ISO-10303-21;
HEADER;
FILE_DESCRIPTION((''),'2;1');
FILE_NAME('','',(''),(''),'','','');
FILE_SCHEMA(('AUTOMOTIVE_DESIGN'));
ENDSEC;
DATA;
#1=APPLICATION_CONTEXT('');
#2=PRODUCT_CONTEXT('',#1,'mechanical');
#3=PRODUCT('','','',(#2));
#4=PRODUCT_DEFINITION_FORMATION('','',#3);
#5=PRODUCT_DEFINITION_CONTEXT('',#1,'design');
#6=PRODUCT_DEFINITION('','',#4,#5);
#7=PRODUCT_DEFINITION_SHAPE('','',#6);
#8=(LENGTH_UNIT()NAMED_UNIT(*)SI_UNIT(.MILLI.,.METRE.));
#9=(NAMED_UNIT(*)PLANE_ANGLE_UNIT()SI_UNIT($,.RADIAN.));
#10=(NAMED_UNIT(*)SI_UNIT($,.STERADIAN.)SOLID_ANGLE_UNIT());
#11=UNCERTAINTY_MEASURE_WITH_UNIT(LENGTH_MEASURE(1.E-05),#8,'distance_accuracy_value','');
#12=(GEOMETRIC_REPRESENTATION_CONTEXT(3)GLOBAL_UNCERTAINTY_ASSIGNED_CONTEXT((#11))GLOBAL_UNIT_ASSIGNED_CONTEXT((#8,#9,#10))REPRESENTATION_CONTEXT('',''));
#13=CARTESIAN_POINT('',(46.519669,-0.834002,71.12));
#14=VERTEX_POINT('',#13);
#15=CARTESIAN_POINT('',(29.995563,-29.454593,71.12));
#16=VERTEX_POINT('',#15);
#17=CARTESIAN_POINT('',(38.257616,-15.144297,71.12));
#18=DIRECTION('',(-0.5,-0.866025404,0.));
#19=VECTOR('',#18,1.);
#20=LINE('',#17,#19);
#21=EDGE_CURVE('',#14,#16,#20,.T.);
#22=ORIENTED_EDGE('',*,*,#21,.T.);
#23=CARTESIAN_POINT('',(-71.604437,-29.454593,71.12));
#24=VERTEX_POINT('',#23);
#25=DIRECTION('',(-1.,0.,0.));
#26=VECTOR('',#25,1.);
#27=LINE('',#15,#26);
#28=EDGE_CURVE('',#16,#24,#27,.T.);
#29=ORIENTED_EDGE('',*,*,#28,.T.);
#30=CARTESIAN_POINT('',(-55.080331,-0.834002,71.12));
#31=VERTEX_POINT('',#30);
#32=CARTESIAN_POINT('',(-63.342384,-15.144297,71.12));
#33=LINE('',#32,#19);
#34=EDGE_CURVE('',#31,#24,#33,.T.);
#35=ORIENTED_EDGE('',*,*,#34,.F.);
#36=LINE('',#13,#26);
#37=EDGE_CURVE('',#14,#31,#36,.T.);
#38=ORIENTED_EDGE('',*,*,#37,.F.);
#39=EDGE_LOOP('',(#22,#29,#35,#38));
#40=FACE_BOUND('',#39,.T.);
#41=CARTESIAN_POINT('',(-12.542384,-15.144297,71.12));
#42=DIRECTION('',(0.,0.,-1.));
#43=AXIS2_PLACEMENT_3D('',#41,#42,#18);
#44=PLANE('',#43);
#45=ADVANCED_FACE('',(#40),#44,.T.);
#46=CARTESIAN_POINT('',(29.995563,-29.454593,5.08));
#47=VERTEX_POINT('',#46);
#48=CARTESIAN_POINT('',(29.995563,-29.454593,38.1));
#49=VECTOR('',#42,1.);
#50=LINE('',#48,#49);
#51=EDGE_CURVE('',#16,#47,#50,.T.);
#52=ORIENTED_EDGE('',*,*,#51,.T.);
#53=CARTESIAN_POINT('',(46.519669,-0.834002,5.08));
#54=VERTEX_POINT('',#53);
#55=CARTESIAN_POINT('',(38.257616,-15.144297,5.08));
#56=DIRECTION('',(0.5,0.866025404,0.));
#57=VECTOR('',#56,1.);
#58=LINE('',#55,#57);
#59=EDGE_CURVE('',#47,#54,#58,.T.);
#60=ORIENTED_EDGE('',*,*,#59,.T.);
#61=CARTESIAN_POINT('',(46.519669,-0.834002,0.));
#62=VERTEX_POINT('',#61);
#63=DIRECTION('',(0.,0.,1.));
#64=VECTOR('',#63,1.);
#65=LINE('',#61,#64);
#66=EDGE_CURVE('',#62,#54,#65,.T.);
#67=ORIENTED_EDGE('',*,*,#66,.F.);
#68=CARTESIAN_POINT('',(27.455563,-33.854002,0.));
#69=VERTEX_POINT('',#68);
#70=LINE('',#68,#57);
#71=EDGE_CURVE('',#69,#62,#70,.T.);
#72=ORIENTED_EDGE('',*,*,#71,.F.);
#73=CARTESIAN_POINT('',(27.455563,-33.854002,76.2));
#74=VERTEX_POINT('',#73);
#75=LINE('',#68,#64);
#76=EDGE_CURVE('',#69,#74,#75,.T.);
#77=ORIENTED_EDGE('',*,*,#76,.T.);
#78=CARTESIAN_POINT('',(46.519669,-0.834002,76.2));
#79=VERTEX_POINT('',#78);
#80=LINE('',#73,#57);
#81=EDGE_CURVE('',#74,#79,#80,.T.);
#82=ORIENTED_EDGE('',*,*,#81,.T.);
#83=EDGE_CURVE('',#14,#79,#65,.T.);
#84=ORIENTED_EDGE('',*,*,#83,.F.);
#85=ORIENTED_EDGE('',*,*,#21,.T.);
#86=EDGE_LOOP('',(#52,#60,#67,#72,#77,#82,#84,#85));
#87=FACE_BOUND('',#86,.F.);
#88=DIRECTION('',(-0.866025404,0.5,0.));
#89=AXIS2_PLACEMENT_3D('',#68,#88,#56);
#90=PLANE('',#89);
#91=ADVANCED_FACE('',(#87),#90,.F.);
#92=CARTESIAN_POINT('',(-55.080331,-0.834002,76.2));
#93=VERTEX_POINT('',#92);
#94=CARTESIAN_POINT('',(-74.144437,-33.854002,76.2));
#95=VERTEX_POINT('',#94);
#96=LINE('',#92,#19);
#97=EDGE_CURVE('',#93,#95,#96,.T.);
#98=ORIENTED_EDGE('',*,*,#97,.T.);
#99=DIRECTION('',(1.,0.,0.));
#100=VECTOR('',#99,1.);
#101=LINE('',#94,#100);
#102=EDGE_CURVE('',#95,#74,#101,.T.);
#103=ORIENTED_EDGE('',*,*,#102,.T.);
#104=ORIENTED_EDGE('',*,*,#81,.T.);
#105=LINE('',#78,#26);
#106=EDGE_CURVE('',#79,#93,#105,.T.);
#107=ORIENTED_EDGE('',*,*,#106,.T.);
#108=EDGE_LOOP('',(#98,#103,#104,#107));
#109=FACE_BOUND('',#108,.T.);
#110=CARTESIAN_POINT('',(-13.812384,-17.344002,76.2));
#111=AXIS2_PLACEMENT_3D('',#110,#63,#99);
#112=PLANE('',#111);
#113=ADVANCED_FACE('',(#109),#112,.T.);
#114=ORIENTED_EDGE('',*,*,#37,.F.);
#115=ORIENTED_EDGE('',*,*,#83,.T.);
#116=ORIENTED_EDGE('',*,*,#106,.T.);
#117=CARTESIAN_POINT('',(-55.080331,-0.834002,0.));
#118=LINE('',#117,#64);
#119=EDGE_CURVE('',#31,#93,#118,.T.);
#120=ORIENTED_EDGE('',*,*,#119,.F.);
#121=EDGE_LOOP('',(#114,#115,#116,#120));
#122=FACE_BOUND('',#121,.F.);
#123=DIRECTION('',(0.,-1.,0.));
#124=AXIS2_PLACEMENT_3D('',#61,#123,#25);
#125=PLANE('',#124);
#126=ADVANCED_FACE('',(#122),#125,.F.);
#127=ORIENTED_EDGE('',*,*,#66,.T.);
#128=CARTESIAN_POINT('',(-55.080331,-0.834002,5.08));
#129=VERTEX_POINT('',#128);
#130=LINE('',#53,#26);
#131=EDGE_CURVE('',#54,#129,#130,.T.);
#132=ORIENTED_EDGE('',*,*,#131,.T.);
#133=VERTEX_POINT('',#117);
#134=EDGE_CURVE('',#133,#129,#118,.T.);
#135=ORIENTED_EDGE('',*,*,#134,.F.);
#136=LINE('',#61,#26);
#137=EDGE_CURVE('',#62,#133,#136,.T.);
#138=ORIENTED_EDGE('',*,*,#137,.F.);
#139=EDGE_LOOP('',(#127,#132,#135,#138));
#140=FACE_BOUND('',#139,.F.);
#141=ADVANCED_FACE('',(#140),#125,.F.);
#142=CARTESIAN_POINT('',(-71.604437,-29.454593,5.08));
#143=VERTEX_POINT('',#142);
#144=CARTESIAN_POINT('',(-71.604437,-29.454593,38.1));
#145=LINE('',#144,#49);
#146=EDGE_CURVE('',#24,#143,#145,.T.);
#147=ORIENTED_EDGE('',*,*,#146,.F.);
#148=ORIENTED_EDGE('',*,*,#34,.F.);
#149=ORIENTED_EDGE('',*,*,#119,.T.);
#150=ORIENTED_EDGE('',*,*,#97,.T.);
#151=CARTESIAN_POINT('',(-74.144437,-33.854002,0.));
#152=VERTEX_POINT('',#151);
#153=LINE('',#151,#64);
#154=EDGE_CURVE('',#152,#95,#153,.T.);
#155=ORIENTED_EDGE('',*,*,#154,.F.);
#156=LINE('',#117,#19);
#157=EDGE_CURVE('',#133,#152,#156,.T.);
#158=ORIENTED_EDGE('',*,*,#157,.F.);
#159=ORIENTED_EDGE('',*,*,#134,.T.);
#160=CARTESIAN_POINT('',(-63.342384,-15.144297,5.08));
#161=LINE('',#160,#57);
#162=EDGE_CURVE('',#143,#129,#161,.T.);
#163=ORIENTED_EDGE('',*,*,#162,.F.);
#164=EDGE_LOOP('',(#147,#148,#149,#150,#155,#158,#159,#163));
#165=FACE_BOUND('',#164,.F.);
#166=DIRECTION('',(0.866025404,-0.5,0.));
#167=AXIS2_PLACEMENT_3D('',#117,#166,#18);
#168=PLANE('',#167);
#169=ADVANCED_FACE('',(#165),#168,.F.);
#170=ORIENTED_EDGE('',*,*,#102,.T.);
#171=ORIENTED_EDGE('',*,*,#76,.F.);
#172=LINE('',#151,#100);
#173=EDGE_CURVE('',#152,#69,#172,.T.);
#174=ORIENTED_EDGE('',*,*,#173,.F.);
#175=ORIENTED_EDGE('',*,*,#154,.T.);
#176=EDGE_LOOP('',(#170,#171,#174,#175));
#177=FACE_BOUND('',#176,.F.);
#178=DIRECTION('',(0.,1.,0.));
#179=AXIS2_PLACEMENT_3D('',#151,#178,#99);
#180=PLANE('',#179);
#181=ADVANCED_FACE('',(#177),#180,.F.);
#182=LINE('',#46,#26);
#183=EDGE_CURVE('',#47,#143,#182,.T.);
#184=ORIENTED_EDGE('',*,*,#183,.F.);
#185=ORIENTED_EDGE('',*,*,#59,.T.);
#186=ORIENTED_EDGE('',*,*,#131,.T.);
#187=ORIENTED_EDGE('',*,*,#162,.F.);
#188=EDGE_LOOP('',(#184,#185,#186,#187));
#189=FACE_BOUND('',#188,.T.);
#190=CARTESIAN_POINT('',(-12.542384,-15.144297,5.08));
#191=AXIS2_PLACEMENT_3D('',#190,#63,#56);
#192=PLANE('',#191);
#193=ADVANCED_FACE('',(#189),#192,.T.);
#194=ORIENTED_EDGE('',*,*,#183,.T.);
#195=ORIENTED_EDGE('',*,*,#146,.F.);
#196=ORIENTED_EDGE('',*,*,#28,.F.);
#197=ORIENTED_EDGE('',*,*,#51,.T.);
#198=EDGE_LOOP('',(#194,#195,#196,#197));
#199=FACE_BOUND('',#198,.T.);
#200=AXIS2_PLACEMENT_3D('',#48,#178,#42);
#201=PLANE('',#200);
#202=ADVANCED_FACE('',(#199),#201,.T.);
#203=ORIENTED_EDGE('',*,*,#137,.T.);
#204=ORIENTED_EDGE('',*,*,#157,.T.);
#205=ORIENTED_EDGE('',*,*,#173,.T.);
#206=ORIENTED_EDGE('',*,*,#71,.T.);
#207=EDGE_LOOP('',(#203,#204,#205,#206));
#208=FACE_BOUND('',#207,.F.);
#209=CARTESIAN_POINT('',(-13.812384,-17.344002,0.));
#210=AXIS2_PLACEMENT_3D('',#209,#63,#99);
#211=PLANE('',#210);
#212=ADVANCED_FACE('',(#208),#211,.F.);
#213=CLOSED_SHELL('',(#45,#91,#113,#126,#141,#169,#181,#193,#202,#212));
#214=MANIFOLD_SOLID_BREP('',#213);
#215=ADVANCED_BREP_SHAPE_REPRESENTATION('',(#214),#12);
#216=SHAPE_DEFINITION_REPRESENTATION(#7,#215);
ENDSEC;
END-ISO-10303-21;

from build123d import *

# Parameters (mm, degrees)
F1_DEPTH = 76.2
F2_W     = 33.0482117773
F2_H     = 66.04


with BuildPart() as f1:
    # F0 (on Top) → F1 (new body)
    with BuildSketch(Plane.XY):
        Polygon((46.5196689838, -0.8340019342), (-55.0803310162, -0.8340019342), (-74.1444369048, -33.8540019342), (27.4555630952, -33.8540019342), align=None)
    extrude(amount=F1_DEPTH)

    # F4: sweep along a path in F3
    with BuildLine(Plane(origin=(0, -0.8340019342, 0), x_dir=(-1, 0, 0), z_dir=(0, 1, 0))) as f4_path:
        Line((-46.5196689838, 38.1), (55.0803310162, 38.1))
    # F2 (on face) → F4 (sweep, cut)
    with BuildSketch(Plane(origin=(35.2508851688, -20.3521080414, 0), x_dir=(0.5, 0.8660254038, 0), z_dir=(0.8660254038, -0.5, 0))):
        with Locations((6.0134617415, 38.1)):
            Rectangle(F2_W, F2_H)
    sweep(path=f4_path.line, mode=Mode.SUBTRACT)


solid = f1.part
